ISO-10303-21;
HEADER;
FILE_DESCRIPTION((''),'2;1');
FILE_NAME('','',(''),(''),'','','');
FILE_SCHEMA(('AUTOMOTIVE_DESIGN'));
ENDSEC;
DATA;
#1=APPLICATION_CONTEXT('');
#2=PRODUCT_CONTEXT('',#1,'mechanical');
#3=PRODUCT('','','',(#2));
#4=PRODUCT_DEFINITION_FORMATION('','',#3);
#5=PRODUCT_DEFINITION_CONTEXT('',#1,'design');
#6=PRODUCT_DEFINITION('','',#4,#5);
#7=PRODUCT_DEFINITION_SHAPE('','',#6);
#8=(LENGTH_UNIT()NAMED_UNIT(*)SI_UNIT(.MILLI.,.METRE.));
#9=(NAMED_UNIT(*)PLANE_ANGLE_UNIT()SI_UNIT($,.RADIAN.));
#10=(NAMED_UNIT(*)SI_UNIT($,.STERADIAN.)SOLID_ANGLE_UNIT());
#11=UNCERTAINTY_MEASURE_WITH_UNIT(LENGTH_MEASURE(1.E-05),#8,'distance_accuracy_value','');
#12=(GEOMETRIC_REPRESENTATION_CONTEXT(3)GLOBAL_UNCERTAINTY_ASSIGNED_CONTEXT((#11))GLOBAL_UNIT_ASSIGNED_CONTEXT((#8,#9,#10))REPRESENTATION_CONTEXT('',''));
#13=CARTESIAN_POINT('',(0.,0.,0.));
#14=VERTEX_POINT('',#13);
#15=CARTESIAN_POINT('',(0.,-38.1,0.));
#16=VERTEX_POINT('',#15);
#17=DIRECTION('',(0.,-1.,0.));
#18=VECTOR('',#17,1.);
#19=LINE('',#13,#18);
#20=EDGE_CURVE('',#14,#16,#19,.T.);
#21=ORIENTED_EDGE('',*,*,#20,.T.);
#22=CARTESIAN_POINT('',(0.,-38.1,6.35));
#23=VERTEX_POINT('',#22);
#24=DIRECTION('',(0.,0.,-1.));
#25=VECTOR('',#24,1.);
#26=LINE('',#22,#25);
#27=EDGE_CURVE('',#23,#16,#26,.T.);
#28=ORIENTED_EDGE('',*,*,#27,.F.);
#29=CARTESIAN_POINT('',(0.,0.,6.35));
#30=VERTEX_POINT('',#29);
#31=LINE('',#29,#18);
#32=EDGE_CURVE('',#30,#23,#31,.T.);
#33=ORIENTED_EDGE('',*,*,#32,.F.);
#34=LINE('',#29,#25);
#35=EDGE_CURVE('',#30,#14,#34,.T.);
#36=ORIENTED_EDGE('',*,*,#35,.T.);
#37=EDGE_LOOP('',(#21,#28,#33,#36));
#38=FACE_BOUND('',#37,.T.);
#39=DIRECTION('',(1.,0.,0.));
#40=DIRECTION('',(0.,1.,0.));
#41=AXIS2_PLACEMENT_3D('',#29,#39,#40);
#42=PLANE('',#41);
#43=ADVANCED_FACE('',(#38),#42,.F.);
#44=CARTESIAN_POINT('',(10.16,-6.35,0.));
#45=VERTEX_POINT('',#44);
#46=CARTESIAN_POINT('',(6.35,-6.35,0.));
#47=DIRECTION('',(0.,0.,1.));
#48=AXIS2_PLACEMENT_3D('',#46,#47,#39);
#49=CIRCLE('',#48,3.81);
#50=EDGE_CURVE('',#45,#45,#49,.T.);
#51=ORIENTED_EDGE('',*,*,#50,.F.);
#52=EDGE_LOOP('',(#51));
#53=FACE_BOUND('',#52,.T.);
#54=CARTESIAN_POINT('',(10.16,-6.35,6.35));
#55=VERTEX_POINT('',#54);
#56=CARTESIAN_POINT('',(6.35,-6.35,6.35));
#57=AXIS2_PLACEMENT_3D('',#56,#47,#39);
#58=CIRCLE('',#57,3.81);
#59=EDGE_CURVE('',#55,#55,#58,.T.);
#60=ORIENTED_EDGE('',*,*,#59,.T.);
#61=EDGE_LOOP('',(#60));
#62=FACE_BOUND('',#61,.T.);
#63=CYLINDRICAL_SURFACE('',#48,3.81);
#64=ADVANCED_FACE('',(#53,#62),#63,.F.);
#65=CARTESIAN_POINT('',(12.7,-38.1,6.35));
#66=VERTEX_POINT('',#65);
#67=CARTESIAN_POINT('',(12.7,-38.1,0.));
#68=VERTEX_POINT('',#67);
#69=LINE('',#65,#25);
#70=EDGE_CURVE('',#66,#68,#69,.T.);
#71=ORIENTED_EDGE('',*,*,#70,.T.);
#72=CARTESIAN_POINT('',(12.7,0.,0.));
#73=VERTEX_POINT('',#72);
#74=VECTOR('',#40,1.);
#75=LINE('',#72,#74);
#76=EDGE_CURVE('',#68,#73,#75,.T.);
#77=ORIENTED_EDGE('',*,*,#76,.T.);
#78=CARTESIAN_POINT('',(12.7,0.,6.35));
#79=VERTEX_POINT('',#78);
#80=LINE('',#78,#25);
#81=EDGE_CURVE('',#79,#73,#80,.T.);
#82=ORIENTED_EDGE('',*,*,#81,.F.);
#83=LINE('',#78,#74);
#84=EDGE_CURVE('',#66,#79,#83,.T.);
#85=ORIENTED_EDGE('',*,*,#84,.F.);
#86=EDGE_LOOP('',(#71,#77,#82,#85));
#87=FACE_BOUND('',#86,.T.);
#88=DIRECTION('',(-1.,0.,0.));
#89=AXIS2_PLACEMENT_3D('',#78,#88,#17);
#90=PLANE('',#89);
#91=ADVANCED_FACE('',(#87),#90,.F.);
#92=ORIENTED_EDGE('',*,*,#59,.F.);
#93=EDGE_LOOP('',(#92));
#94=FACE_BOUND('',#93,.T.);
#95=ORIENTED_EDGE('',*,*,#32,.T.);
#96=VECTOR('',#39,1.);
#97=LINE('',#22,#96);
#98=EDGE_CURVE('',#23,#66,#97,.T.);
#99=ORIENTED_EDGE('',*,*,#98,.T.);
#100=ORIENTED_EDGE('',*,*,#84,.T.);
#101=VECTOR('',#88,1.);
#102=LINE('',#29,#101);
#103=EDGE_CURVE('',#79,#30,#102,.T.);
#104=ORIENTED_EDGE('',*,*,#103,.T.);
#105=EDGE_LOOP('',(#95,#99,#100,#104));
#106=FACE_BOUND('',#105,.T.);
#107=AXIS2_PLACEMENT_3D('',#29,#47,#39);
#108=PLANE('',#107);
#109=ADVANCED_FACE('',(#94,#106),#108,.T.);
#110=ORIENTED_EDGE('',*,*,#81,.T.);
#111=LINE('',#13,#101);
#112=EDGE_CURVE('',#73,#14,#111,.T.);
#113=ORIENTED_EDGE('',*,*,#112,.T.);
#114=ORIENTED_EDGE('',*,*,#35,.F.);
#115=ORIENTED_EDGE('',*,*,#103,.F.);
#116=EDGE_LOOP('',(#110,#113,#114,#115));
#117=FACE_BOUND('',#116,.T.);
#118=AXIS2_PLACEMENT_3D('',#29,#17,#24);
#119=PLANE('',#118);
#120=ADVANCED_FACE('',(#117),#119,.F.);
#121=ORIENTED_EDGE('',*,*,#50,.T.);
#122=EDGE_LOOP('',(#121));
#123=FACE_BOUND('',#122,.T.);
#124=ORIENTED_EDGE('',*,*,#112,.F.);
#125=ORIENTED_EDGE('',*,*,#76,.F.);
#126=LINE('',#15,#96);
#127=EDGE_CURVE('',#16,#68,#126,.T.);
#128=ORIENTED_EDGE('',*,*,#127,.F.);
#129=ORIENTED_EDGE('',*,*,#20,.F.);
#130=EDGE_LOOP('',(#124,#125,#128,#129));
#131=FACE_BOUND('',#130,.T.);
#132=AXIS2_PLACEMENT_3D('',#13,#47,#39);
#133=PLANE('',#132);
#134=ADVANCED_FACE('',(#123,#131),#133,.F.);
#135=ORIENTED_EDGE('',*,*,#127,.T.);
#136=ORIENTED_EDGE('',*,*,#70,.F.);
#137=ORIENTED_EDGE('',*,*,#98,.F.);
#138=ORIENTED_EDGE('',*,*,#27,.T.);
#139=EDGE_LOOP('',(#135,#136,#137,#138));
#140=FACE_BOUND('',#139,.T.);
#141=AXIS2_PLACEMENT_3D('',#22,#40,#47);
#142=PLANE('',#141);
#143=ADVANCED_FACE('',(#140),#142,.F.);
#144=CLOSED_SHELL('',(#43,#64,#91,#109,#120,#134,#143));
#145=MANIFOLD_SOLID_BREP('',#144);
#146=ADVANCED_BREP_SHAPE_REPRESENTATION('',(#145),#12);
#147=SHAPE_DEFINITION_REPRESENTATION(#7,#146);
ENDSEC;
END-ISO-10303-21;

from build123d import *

# Parameters (mm, degrees)
SKETCH1_W               = 12.7
SKETCH1_H               = 38.1
BOSS_EXTRUDE1_DEPTH     = 6.35
CUT_EXTRUDE1_DEPTH      = 41.659838908
CUT_EXTRUDE1_DEPTH_BACK = 41.659838908
SKETCH2_R               = 3.81


with BuildPart() as part:
    # Sketch1 → Boss-Extrude1 (new body)
    with BuildSketch(Plane.XY):
        with Locations((6.35, -19.05)):
            Rectangle(SKETCH1_W, SKETCH1_H)
    extrude(amount=BOSS_EXTRUDE1_DEPTH)

    # Sketch2 → Cut-Extrude1 (cut, two sides: drawn at the far end of the back side and taken through both)
    with BuildSketch(Plane.XY.offset(6.35).offset(-CUT_EXTRUDE1_DEPTH_BACK)):
        with Locations((6.35, -6.35)):
            Circle(SKETCH2_R)
    extrude(amount=CUT_EXTRUDE1_DEPTH + CUT_EXTRUDE1_DEPTH_BACK, mode=Mode.SUBTRACT)


solid = part.part
